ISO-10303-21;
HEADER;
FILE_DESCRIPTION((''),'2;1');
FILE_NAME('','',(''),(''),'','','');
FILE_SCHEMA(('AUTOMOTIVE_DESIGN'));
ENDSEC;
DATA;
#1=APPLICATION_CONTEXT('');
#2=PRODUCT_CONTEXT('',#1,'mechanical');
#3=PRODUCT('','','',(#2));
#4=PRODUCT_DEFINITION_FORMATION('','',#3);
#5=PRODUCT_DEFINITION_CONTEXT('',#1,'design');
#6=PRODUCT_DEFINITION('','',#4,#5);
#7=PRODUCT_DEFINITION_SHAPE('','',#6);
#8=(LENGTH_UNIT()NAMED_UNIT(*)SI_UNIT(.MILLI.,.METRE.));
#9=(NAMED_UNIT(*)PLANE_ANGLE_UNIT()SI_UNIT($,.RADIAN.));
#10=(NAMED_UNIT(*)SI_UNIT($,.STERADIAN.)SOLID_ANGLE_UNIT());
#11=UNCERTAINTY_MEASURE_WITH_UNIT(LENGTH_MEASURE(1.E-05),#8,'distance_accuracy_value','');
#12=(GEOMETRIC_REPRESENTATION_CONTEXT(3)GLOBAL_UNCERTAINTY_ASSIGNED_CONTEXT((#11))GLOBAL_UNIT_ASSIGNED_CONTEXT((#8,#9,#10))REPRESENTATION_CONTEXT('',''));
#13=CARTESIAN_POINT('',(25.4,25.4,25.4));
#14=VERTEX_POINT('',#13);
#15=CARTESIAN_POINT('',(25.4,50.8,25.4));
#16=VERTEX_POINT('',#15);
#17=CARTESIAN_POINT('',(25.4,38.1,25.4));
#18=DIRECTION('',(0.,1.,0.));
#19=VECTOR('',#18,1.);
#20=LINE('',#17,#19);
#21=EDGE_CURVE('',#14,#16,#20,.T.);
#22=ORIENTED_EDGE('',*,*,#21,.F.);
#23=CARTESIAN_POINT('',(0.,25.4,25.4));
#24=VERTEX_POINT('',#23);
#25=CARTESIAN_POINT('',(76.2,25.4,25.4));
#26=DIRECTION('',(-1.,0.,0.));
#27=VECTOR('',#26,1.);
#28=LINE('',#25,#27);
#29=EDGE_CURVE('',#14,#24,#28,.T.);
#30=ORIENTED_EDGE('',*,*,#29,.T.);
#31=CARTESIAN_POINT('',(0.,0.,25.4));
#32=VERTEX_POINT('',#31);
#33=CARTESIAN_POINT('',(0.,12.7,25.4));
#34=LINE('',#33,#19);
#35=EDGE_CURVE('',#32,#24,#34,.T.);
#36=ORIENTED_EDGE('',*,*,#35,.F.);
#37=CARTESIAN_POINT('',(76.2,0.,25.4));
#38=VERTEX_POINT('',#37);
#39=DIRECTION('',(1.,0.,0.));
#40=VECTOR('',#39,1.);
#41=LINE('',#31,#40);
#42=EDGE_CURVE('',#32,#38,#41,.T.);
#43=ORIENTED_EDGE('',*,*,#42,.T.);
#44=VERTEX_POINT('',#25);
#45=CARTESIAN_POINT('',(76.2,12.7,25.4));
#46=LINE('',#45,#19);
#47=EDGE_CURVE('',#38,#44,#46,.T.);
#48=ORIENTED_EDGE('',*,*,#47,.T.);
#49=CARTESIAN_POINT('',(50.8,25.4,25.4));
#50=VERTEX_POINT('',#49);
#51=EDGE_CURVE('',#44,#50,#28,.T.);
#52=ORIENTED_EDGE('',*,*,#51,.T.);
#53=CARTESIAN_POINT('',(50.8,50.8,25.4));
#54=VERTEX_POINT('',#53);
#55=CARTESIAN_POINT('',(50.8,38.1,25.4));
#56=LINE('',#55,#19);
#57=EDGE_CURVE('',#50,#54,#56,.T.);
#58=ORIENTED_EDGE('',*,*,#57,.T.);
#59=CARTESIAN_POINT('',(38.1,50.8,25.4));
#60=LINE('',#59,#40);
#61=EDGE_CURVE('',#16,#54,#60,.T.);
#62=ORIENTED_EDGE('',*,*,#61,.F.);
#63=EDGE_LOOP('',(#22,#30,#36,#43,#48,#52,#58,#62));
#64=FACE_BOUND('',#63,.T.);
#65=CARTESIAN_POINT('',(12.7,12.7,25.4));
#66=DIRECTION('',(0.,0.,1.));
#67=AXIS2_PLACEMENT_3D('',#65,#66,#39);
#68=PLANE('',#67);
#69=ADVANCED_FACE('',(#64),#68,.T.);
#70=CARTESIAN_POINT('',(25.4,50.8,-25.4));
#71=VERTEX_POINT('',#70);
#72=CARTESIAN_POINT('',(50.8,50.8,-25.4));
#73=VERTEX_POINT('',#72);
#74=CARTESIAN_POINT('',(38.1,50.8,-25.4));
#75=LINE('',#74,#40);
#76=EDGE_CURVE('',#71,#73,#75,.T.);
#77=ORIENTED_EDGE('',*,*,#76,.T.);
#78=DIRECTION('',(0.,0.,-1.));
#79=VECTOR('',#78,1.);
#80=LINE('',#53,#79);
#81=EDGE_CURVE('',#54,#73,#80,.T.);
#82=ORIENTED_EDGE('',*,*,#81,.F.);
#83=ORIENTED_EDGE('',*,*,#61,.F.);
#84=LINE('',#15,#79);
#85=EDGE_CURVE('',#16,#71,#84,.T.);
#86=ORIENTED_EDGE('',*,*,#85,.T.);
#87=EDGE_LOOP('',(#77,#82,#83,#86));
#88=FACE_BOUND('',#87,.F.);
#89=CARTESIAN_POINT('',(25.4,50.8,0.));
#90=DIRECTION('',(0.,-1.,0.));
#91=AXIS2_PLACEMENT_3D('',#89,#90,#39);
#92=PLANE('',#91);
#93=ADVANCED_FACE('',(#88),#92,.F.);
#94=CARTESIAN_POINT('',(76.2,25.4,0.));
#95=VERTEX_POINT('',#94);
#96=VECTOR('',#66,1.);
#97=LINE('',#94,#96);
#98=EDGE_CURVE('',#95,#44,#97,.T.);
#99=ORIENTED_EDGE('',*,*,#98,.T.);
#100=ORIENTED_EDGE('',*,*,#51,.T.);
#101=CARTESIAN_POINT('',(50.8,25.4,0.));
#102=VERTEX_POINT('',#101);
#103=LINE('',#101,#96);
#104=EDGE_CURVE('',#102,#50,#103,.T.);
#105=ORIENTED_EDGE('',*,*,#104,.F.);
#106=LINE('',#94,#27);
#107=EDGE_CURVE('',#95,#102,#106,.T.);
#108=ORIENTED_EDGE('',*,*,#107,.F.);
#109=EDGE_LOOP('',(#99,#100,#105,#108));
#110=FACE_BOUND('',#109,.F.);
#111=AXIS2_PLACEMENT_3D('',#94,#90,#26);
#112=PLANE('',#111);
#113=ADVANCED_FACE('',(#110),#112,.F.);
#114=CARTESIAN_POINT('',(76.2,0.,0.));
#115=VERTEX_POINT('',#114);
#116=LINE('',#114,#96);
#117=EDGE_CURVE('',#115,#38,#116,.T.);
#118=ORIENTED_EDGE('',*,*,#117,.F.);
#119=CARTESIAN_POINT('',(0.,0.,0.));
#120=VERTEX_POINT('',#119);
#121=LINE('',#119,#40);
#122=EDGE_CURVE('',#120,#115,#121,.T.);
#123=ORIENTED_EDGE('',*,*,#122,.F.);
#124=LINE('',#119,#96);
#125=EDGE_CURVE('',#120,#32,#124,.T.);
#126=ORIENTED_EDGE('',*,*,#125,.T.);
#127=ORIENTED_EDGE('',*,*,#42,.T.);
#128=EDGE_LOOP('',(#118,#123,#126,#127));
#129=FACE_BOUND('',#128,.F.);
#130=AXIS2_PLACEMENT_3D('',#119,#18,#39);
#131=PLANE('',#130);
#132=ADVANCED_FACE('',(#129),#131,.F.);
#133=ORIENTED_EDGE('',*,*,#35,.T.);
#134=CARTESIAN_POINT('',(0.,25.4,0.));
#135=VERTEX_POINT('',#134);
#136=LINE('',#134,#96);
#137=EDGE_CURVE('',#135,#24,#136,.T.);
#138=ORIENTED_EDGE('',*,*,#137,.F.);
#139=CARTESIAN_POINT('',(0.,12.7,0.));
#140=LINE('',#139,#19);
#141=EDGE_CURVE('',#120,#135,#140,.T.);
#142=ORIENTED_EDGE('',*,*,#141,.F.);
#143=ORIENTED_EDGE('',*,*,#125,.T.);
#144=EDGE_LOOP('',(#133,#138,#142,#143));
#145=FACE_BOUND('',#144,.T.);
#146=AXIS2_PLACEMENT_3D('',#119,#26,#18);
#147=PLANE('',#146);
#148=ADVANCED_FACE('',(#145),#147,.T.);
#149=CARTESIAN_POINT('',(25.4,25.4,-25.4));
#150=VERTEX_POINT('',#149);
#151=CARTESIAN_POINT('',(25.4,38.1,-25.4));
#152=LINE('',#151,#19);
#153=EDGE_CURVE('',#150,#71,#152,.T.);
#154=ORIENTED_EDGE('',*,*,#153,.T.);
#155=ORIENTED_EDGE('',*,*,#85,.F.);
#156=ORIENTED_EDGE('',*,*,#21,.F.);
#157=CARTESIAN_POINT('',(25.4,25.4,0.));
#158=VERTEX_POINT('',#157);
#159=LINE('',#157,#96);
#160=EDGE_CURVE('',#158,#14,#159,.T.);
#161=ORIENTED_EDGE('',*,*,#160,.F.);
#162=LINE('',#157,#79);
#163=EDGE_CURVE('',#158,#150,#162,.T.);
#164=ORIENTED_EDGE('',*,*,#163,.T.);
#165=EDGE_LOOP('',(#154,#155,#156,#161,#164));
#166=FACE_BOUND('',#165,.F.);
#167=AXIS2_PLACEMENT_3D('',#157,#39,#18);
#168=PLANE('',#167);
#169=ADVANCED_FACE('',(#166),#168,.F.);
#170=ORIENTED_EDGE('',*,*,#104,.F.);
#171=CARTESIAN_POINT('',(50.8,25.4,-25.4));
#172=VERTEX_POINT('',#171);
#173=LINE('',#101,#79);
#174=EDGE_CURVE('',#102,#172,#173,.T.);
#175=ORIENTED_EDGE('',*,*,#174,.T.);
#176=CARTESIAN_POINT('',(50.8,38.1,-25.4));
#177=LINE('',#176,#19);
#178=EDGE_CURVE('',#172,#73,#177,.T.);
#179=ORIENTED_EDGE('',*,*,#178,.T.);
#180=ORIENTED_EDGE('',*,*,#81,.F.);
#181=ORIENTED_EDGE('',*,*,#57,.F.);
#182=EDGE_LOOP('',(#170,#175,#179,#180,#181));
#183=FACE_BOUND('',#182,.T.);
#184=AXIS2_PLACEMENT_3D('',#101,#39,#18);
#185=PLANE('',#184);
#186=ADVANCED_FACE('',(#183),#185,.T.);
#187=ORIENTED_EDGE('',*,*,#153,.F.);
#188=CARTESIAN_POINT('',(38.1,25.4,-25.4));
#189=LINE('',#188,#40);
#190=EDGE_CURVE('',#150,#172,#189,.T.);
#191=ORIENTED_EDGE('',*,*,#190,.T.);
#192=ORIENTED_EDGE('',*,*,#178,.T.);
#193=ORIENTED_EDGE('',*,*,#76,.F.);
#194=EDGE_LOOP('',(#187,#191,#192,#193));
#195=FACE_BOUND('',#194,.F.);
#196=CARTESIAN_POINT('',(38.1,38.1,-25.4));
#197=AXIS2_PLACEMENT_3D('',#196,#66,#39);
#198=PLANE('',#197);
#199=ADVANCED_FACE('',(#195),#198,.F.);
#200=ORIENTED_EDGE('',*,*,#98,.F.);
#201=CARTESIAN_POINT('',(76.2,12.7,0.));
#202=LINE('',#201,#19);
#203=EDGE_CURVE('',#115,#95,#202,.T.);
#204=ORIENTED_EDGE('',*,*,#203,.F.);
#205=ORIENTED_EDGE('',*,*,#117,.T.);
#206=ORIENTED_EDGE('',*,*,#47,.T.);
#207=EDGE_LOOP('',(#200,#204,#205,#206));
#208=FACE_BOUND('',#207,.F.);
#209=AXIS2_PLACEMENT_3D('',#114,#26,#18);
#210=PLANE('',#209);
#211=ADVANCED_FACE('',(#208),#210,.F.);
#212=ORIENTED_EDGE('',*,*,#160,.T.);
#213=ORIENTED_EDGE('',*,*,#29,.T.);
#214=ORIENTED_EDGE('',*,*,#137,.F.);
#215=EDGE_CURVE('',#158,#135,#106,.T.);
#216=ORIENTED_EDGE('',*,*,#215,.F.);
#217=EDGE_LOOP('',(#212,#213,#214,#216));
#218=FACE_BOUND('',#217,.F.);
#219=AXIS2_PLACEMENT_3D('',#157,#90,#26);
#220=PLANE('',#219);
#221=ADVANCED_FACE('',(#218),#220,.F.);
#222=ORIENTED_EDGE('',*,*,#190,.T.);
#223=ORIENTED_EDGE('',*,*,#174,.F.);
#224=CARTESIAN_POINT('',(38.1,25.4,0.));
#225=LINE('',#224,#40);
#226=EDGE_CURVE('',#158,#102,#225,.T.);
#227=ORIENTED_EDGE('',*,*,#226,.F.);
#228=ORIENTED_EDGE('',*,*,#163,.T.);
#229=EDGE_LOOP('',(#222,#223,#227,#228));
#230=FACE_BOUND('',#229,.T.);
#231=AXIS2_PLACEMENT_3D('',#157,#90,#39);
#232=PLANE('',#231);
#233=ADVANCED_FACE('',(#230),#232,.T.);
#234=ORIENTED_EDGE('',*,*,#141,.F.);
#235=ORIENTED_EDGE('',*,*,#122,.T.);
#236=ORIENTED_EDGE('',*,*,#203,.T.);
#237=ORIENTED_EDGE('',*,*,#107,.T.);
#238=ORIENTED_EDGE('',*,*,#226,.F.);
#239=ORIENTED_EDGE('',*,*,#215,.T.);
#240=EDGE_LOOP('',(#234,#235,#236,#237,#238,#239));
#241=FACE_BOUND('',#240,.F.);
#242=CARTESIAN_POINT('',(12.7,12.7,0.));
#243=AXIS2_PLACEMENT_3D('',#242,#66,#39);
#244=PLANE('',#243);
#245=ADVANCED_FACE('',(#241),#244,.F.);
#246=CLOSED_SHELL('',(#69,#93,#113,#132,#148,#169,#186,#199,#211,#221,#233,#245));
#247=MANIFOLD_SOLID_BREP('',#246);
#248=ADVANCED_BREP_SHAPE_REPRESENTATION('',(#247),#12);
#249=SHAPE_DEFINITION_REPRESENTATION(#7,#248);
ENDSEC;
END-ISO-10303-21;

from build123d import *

# Parameters (mm, degrees)
F0_W     = 25.4
F0_H     = 25.4
F1_DEPTH = 25.4
F2_DEPTH = 25.4


with BuildPart() as f1:
    # F0 (on Top) → F1 (new body)
    with BuildSketch(Plane.XY):
        with Locations((12.7, 12.7)):
            Rectangle(F0_W, F0_H)
        with Locations((38.1, 12.7)):
            Rectangle(F0_W, F0_H)
        with Locations((63.5, 12.7)):
            Rectangle(F0_W, F0_H)
        with Locations((38.1, 38.1)):
            Rectangle(F0_W, F0_H)
    extrude(amount=F1_DEPTH)

    # F0 (on Top) → F2 (join)
    with BuildSketch(Plane.XY):
        with Locations((38.1, 38.1)):
            Rectangle(F0_W, F0_H)
    extrude(amount=-F2_DEPTH)


solid = f1.part
